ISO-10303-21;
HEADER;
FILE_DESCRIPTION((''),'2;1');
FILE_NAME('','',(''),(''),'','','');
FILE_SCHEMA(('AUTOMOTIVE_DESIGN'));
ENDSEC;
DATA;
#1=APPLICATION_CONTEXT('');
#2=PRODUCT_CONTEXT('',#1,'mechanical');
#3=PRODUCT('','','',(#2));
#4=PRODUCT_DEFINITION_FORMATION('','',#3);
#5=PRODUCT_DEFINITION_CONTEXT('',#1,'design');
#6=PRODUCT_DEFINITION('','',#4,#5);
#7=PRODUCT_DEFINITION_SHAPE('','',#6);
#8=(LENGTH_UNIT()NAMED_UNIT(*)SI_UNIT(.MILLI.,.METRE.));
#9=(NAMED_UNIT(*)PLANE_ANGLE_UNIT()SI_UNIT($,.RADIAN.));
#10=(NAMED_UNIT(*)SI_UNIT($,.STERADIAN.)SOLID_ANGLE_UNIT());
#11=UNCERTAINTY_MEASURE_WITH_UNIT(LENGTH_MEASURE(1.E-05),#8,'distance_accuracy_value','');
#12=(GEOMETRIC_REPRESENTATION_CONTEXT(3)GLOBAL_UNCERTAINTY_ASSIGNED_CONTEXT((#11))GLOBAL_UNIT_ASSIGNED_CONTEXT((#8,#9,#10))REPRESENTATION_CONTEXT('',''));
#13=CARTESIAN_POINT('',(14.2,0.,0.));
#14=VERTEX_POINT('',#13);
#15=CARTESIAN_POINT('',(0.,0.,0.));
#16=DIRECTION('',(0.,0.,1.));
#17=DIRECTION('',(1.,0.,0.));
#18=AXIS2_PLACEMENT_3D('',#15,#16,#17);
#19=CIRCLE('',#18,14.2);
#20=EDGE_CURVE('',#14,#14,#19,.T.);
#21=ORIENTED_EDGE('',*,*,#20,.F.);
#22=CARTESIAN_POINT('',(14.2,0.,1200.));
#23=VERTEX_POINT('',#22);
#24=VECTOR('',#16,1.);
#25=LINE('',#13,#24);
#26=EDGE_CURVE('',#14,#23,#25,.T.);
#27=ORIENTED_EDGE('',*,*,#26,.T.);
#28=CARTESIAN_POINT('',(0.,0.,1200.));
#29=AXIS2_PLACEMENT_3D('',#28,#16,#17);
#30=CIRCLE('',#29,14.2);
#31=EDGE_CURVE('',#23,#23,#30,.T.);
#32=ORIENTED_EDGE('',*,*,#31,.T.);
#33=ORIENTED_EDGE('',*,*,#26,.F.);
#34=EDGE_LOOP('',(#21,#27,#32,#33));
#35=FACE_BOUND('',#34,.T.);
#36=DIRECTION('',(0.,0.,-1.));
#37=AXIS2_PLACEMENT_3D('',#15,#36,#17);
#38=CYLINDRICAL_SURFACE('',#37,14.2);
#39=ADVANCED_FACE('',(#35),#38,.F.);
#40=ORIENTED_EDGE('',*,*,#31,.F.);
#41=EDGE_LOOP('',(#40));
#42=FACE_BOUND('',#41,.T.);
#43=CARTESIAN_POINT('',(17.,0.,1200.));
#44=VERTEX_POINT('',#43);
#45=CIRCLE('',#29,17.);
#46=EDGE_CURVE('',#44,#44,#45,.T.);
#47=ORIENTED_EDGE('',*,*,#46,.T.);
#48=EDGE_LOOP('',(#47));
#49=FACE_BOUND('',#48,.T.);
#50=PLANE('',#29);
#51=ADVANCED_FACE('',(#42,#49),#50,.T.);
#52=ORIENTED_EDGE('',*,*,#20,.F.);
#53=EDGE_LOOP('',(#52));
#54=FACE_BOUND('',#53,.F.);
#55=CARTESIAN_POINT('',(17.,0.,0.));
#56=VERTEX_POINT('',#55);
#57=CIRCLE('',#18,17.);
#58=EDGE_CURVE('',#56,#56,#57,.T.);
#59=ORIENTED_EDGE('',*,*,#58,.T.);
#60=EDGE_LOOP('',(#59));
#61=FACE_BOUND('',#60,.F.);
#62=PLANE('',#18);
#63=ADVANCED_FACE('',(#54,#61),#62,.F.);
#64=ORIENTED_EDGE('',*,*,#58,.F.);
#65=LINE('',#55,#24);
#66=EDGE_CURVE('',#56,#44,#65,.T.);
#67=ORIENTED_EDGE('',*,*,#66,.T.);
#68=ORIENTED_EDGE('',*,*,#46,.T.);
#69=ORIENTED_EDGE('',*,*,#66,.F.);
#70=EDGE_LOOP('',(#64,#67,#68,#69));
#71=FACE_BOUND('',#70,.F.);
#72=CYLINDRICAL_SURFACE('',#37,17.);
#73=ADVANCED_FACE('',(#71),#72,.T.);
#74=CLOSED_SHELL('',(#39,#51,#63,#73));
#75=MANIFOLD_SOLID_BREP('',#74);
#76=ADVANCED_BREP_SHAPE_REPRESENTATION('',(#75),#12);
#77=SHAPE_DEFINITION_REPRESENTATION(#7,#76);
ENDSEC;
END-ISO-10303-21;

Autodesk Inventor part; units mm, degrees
ref_plane "YZ Plane" through (0, 0, 0) normal (1, 0, 0) x (0, 1, 0)
ref_plane "XZ Plane" through (0, 0, 0) normal (0, 1, 0) x (-1, 0, 0)
ref_plane "XY Plane" through (0, 0, 0) normal (0, 0, 1) x (1, 0, 0)
sketch "スケッチ1" plane through (0, 0, 0) normal (0, 0, 1) x (1, 0, 0)
  circle A0 centre (0, 0) radius 17
  circle A1 centre (0, 0) radius 14.2
  dimension "d0" = 34
  dimension "d1" = 28.4
extrude "押し出し1" add sketch "スケッチ1" along normal blind 1200
equation "\"d0\" = OD"
equation "\"d1\" = ID"
equation "\"d2\" = length"
equation "\"length\" = 1200"
equation "\"OD\" = 34"
equation "\"ID\" = 28.4"
properties part number "pipe-for-mizuno-probe" material "ステンレス鋼"
